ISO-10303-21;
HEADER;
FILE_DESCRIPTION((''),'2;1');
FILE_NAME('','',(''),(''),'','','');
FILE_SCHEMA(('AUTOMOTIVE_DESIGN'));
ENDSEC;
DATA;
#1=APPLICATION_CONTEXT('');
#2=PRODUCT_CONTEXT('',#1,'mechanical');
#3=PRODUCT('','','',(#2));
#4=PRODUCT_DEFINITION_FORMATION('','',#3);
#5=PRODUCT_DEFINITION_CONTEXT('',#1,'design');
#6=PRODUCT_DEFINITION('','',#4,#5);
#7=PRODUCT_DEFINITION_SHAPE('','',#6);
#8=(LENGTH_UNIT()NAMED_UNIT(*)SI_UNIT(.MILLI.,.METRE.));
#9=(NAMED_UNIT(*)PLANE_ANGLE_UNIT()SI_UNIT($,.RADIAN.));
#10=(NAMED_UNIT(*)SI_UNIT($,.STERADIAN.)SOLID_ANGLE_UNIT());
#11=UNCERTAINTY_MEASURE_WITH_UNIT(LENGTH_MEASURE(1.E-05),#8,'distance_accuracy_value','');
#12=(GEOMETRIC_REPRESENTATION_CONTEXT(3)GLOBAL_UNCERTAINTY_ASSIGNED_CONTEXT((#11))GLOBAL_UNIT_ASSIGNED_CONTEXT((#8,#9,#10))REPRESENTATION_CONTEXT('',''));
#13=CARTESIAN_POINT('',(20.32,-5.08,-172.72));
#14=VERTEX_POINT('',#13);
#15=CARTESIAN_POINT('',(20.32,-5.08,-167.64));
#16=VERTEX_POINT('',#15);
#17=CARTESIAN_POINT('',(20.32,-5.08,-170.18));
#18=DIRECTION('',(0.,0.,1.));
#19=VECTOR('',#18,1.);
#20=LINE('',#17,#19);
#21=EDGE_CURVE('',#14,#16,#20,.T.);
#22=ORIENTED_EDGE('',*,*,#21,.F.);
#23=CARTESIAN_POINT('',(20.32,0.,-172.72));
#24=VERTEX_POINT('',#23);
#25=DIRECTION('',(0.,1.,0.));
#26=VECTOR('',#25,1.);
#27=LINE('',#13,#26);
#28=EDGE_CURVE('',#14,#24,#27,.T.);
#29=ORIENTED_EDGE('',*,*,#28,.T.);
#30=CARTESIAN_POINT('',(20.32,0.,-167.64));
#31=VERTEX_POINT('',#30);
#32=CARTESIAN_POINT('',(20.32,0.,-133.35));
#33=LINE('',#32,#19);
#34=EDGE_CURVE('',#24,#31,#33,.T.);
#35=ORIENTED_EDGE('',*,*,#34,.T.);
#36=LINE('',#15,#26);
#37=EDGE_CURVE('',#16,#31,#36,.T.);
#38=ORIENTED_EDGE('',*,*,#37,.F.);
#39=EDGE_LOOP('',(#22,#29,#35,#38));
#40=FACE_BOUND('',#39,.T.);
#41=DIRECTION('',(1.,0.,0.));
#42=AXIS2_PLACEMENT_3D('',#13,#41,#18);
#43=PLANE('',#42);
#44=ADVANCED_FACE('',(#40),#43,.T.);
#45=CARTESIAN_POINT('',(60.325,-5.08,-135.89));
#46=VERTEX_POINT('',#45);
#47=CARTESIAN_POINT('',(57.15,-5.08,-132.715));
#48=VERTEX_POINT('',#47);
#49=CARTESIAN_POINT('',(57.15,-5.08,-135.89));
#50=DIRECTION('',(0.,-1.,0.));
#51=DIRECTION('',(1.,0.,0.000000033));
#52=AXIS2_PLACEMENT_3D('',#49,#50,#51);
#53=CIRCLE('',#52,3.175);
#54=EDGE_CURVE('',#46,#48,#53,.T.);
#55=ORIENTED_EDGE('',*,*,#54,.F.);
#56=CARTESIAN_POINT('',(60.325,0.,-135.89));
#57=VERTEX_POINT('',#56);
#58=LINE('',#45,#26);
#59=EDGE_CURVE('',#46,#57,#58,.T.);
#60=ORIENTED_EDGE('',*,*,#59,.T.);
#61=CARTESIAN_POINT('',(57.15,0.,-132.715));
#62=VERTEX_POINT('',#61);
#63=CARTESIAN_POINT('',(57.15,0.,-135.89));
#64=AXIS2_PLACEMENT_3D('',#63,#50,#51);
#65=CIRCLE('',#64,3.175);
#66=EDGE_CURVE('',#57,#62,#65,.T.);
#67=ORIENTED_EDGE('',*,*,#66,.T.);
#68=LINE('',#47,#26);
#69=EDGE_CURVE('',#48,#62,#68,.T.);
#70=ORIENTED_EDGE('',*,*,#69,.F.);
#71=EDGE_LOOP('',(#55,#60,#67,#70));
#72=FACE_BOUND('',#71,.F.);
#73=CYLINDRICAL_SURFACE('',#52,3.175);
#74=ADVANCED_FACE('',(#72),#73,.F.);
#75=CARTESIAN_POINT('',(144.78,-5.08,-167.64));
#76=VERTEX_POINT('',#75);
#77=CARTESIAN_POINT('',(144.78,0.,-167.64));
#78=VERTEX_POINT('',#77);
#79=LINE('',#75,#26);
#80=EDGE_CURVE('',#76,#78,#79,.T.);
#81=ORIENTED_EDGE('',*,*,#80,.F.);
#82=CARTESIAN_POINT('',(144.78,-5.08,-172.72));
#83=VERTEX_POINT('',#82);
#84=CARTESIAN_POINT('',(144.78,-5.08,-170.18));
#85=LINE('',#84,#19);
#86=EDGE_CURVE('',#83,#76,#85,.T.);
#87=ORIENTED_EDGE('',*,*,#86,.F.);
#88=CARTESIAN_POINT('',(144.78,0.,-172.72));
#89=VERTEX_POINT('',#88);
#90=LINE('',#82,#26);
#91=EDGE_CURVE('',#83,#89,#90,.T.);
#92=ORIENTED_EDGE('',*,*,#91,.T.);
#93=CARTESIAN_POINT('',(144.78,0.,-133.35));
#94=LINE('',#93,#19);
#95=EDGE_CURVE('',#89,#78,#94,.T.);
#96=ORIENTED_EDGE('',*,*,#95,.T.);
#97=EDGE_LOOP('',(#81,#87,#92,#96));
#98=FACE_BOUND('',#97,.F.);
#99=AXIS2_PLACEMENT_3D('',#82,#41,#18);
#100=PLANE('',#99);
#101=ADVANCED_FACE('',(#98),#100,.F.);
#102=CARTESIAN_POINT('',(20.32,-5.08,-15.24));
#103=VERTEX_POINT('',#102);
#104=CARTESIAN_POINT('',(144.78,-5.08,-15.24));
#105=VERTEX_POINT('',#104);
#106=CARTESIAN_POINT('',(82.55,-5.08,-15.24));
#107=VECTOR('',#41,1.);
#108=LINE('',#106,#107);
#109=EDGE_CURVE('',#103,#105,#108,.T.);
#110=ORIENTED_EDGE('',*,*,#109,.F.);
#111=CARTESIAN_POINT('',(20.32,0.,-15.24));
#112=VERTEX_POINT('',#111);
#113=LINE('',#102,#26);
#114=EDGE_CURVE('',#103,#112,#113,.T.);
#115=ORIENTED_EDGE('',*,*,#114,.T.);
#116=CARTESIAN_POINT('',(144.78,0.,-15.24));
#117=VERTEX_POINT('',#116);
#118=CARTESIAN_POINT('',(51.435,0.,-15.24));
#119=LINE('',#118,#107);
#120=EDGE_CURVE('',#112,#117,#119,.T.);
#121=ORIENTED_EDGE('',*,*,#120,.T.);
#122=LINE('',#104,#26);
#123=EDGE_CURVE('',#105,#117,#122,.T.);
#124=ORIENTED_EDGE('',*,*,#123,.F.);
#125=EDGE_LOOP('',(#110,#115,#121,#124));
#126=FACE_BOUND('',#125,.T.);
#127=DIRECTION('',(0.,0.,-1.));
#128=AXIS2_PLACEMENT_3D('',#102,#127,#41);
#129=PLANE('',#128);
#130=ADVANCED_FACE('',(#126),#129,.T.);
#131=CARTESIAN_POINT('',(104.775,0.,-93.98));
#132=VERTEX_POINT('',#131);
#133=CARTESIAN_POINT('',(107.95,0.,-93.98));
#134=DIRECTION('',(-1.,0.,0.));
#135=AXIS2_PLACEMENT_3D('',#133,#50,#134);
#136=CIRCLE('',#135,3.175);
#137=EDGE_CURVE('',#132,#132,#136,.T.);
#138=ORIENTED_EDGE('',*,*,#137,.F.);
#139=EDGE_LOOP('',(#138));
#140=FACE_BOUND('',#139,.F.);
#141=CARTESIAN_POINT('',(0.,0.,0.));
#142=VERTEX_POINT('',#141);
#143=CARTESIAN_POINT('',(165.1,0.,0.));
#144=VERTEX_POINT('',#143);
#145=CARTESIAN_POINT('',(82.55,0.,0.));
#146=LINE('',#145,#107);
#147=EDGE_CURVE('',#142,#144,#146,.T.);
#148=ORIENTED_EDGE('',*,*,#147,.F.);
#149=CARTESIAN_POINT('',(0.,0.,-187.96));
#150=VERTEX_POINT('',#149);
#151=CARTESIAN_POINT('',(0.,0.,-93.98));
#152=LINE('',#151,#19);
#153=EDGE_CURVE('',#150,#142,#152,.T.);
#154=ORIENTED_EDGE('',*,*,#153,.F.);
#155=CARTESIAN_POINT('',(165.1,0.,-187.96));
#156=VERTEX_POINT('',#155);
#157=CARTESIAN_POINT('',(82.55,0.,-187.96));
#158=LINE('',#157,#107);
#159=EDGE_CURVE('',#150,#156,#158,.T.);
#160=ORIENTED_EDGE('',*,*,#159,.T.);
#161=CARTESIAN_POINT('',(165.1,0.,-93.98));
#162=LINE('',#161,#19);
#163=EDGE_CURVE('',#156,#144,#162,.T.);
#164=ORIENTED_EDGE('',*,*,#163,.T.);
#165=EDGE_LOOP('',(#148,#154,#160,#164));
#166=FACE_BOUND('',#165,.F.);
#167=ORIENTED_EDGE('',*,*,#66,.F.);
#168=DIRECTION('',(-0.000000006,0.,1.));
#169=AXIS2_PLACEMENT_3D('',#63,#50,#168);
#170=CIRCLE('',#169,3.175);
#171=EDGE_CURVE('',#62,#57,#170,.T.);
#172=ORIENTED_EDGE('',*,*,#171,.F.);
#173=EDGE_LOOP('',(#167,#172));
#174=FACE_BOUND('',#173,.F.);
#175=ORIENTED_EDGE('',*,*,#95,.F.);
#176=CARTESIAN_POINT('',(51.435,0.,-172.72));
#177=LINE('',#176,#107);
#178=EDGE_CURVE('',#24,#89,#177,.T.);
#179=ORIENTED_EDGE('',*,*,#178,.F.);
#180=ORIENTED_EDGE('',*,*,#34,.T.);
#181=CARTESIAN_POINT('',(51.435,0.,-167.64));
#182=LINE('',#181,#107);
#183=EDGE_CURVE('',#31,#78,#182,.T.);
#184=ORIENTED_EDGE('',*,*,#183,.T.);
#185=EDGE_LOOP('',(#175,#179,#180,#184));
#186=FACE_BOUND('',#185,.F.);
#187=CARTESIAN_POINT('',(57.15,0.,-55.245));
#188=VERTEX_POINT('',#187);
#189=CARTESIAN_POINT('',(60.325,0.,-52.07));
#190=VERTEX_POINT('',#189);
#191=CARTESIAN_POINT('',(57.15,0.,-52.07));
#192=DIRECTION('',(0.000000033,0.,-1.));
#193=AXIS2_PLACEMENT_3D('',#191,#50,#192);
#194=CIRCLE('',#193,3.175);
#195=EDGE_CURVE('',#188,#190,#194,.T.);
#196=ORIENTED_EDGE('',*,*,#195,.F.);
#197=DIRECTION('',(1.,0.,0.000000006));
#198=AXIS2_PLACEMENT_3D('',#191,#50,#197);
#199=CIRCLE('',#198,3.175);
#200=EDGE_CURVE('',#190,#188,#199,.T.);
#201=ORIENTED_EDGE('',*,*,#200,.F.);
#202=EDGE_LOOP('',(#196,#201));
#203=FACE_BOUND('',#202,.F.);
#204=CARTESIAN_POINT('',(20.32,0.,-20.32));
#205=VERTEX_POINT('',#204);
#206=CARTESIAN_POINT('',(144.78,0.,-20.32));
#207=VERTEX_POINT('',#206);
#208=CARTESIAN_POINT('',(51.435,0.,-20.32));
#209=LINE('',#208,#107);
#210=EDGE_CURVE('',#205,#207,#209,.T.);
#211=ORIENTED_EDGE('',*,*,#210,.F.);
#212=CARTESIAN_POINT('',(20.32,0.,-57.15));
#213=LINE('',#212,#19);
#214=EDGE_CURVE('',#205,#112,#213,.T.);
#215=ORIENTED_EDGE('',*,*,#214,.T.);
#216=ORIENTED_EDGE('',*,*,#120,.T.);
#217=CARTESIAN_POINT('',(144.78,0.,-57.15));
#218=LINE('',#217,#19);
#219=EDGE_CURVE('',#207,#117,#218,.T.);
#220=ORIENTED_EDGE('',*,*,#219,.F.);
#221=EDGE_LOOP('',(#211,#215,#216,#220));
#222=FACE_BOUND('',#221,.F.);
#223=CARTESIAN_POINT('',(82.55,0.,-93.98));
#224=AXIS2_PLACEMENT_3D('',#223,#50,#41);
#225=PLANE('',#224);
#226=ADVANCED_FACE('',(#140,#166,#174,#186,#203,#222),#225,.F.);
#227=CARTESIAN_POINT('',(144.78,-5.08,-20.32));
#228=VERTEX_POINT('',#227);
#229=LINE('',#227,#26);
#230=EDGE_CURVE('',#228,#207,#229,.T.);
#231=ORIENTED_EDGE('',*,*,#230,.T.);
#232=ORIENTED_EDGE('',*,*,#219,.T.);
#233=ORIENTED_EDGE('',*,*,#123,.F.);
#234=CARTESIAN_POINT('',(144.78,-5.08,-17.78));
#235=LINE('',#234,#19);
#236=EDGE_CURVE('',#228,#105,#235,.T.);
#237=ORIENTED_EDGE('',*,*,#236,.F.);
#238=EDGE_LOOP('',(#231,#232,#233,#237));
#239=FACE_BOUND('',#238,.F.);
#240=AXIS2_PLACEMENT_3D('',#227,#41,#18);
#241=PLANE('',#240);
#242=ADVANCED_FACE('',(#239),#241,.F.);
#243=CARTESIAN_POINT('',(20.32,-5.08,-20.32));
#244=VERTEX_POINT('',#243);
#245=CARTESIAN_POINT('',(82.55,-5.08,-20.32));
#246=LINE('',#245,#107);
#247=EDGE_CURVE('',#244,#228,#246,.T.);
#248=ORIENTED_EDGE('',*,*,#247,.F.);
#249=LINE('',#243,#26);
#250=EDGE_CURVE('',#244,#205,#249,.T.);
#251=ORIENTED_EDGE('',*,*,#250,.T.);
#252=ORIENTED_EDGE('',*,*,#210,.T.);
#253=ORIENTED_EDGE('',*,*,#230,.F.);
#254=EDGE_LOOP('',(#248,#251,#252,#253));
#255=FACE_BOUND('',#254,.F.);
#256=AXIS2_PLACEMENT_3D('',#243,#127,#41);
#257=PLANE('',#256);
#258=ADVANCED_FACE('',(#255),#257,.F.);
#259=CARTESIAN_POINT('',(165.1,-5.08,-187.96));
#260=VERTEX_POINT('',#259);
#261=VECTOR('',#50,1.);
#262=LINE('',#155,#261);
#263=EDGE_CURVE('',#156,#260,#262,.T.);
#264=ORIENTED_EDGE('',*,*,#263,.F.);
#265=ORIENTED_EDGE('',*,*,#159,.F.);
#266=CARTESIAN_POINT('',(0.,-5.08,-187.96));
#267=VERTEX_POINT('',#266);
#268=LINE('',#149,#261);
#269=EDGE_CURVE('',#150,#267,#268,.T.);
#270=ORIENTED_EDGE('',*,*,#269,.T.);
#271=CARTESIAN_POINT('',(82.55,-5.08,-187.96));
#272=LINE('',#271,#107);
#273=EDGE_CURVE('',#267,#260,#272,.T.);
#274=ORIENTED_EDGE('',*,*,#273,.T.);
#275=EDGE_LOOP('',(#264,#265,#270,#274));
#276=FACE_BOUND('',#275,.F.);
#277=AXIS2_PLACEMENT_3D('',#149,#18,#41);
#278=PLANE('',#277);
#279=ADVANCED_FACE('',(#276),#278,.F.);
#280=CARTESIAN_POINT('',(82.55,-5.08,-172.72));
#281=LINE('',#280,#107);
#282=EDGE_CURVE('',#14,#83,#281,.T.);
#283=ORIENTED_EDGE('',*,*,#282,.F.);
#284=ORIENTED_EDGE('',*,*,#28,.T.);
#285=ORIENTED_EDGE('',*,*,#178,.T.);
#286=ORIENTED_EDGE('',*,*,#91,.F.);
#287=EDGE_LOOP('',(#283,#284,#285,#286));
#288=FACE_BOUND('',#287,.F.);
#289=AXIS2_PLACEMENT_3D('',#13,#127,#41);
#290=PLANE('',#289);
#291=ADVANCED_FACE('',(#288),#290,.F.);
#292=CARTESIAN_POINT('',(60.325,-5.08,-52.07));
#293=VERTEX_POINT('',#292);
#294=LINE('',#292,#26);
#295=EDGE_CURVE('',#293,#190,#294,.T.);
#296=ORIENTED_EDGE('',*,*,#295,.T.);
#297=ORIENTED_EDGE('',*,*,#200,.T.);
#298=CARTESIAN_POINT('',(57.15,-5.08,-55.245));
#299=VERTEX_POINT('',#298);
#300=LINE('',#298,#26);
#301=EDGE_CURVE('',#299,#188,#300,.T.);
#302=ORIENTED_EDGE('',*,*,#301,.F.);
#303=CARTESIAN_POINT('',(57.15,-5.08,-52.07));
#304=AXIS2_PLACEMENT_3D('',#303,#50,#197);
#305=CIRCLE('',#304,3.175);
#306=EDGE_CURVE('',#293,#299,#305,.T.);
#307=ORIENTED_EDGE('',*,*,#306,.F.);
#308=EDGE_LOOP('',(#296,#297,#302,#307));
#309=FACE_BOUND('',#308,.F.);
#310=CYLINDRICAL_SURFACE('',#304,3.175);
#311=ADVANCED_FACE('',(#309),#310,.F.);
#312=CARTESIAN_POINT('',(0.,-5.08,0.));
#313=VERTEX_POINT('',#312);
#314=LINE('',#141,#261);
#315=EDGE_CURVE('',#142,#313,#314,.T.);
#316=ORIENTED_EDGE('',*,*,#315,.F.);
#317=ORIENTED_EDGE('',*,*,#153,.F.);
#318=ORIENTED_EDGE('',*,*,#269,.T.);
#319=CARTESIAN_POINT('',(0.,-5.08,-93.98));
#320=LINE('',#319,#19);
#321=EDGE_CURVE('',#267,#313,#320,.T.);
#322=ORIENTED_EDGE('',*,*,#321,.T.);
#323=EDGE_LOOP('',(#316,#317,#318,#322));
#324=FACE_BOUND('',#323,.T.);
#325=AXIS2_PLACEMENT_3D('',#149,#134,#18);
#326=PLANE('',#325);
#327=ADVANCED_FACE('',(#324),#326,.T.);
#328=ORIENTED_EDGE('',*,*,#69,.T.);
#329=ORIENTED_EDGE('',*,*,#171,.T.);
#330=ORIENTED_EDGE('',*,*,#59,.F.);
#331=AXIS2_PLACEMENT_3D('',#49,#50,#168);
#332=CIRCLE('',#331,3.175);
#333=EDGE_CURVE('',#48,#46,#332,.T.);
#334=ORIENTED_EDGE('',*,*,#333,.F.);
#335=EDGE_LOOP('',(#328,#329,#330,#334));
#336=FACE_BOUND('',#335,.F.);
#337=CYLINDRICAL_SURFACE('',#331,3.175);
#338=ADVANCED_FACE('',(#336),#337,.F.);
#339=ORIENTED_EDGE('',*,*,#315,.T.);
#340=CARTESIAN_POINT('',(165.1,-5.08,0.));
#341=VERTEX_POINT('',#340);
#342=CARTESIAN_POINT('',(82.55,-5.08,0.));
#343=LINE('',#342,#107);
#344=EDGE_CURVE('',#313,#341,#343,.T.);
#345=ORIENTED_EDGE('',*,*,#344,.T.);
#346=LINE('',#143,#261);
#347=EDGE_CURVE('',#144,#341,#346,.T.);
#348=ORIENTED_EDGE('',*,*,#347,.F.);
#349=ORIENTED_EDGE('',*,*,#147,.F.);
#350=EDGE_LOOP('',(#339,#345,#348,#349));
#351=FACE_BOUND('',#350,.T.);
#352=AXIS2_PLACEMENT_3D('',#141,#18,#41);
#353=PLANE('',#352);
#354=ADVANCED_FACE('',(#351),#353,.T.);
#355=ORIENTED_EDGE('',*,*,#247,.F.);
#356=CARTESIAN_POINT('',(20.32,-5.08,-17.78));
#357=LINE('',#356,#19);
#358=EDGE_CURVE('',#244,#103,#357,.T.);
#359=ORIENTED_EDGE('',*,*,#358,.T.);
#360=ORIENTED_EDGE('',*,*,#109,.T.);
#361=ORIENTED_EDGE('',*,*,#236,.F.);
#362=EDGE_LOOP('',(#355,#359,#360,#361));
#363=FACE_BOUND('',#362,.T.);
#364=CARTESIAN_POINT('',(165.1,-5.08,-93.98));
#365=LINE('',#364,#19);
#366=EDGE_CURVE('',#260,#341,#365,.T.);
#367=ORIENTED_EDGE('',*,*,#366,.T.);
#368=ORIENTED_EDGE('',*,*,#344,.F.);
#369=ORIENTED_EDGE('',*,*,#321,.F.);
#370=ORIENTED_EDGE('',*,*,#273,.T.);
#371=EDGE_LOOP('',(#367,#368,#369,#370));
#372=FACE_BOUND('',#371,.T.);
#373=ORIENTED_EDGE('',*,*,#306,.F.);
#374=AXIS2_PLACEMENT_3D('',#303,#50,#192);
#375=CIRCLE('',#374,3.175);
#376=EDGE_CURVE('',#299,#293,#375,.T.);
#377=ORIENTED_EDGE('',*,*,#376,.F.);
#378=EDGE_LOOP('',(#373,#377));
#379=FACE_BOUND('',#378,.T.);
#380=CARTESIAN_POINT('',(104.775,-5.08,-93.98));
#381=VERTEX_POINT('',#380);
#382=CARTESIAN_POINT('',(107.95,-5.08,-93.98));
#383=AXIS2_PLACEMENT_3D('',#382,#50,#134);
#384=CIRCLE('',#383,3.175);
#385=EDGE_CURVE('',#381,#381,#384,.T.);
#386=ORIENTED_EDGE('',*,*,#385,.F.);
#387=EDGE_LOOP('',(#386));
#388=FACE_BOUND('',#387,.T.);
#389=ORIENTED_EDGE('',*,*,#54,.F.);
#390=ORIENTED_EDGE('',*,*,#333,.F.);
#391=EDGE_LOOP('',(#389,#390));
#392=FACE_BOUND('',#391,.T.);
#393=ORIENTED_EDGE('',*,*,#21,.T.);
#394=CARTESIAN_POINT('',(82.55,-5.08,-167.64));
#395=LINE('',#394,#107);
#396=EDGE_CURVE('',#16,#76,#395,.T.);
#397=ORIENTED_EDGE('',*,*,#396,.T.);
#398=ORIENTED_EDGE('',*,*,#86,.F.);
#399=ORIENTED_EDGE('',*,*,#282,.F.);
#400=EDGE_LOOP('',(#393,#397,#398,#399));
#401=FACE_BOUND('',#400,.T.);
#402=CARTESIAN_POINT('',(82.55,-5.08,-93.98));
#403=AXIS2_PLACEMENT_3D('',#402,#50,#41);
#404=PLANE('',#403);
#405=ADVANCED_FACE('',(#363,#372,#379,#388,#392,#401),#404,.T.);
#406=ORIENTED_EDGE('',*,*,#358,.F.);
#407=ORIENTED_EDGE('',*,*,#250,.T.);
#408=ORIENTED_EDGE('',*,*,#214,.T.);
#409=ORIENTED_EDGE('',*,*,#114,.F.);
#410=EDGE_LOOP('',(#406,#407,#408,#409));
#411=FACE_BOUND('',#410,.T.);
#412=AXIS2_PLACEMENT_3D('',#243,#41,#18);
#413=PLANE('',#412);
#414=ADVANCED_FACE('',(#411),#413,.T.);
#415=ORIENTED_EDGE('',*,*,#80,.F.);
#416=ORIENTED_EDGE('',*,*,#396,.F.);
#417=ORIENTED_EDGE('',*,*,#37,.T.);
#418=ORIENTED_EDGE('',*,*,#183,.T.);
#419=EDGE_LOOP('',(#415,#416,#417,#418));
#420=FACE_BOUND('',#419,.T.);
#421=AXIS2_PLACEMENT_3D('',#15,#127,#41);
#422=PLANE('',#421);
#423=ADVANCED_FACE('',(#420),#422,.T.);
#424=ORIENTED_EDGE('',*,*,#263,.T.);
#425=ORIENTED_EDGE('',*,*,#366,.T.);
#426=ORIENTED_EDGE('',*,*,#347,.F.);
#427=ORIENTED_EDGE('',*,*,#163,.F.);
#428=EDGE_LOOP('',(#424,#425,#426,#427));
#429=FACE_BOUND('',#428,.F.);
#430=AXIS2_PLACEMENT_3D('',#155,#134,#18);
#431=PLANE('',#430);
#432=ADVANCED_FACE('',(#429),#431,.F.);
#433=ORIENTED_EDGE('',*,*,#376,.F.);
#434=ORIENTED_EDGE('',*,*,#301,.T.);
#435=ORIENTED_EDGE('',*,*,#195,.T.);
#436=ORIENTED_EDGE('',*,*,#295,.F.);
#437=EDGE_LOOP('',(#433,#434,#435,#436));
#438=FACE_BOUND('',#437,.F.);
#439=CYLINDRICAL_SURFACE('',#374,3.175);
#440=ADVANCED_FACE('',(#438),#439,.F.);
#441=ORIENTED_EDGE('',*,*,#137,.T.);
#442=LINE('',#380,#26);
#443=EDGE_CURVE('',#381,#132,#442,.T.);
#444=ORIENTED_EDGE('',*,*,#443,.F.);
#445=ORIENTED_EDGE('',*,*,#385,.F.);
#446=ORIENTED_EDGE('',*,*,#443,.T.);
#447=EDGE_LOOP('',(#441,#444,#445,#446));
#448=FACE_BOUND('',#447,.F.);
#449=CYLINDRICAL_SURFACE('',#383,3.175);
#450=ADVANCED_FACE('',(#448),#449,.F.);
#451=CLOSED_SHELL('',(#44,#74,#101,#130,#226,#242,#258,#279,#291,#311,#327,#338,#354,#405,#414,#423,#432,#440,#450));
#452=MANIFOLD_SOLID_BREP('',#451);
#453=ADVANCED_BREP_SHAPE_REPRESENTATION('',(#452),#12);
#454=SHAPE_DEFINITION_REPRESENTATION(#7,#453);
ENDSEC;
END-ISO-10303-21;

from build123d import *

# Parameters (mm, degrees)
F0_W     = 165.1
F0_H     = 187.96
F1_DEPTH = 5.08
F2_W     = 124.46
F2_H     = 5.08
F3_DEPTH = 25.4
F5_DEPTH = 25.4


with BuildPart() as f1:
    # F0 (on Front) → F1 (new body)
    with BuildSketch(Plane.XZ):
        with Locations((82.55, -93.98)):
            Rectangle(F0_W, F0_H)
    extrude(amount=F1_DEPTH)

    # F2 (on face) → F3 (cut)
    with BuildSketch(Plane.XZ.offset(5.08)):
        with Locations((82.55, -17.78)):
            Rectangle(F2_W, F2_H)
        with Locations((82.55, -170.18)):
            Rectangle(F2_W, F2_H)
    extrude(amount=-F3_DEPTH, mode=Mode.SUBTRACT)

    # F4 (on face) → F5 (cut)
    with BuildSketch(Plane.XZ.offset(5.08)):
        with BuildLine():
            ThreePointArc((111.125, -93.98), (107.95, -90.805), (104.775, -93.98))
            ThreePointArc((104.775, -93.98), (107.95, -97.155), (111.125, -93.98))
        make_face()
        with BuildLine():
            ThreePointArc((60.325, -135.89), (59.395064, -133.644936), (57.15, -132.715))
            ThreePointArc((57.15, -132.715), (54.904936, -138.135064), (60.325, -135.89))
        make_face()
        with BuildLine():
            ThreePointArc((60.325, -52.07), (54.904936, -49.824936), (57.15, -55.245))
            ThreePointArc((57.15, -55.245), (59.395064, -54.315064), (60.325, -52.07))
        make_face()
    extrude(amount=-F5_DEPTH, mode=Mode.SUBTRACT)


solid = f1.part
